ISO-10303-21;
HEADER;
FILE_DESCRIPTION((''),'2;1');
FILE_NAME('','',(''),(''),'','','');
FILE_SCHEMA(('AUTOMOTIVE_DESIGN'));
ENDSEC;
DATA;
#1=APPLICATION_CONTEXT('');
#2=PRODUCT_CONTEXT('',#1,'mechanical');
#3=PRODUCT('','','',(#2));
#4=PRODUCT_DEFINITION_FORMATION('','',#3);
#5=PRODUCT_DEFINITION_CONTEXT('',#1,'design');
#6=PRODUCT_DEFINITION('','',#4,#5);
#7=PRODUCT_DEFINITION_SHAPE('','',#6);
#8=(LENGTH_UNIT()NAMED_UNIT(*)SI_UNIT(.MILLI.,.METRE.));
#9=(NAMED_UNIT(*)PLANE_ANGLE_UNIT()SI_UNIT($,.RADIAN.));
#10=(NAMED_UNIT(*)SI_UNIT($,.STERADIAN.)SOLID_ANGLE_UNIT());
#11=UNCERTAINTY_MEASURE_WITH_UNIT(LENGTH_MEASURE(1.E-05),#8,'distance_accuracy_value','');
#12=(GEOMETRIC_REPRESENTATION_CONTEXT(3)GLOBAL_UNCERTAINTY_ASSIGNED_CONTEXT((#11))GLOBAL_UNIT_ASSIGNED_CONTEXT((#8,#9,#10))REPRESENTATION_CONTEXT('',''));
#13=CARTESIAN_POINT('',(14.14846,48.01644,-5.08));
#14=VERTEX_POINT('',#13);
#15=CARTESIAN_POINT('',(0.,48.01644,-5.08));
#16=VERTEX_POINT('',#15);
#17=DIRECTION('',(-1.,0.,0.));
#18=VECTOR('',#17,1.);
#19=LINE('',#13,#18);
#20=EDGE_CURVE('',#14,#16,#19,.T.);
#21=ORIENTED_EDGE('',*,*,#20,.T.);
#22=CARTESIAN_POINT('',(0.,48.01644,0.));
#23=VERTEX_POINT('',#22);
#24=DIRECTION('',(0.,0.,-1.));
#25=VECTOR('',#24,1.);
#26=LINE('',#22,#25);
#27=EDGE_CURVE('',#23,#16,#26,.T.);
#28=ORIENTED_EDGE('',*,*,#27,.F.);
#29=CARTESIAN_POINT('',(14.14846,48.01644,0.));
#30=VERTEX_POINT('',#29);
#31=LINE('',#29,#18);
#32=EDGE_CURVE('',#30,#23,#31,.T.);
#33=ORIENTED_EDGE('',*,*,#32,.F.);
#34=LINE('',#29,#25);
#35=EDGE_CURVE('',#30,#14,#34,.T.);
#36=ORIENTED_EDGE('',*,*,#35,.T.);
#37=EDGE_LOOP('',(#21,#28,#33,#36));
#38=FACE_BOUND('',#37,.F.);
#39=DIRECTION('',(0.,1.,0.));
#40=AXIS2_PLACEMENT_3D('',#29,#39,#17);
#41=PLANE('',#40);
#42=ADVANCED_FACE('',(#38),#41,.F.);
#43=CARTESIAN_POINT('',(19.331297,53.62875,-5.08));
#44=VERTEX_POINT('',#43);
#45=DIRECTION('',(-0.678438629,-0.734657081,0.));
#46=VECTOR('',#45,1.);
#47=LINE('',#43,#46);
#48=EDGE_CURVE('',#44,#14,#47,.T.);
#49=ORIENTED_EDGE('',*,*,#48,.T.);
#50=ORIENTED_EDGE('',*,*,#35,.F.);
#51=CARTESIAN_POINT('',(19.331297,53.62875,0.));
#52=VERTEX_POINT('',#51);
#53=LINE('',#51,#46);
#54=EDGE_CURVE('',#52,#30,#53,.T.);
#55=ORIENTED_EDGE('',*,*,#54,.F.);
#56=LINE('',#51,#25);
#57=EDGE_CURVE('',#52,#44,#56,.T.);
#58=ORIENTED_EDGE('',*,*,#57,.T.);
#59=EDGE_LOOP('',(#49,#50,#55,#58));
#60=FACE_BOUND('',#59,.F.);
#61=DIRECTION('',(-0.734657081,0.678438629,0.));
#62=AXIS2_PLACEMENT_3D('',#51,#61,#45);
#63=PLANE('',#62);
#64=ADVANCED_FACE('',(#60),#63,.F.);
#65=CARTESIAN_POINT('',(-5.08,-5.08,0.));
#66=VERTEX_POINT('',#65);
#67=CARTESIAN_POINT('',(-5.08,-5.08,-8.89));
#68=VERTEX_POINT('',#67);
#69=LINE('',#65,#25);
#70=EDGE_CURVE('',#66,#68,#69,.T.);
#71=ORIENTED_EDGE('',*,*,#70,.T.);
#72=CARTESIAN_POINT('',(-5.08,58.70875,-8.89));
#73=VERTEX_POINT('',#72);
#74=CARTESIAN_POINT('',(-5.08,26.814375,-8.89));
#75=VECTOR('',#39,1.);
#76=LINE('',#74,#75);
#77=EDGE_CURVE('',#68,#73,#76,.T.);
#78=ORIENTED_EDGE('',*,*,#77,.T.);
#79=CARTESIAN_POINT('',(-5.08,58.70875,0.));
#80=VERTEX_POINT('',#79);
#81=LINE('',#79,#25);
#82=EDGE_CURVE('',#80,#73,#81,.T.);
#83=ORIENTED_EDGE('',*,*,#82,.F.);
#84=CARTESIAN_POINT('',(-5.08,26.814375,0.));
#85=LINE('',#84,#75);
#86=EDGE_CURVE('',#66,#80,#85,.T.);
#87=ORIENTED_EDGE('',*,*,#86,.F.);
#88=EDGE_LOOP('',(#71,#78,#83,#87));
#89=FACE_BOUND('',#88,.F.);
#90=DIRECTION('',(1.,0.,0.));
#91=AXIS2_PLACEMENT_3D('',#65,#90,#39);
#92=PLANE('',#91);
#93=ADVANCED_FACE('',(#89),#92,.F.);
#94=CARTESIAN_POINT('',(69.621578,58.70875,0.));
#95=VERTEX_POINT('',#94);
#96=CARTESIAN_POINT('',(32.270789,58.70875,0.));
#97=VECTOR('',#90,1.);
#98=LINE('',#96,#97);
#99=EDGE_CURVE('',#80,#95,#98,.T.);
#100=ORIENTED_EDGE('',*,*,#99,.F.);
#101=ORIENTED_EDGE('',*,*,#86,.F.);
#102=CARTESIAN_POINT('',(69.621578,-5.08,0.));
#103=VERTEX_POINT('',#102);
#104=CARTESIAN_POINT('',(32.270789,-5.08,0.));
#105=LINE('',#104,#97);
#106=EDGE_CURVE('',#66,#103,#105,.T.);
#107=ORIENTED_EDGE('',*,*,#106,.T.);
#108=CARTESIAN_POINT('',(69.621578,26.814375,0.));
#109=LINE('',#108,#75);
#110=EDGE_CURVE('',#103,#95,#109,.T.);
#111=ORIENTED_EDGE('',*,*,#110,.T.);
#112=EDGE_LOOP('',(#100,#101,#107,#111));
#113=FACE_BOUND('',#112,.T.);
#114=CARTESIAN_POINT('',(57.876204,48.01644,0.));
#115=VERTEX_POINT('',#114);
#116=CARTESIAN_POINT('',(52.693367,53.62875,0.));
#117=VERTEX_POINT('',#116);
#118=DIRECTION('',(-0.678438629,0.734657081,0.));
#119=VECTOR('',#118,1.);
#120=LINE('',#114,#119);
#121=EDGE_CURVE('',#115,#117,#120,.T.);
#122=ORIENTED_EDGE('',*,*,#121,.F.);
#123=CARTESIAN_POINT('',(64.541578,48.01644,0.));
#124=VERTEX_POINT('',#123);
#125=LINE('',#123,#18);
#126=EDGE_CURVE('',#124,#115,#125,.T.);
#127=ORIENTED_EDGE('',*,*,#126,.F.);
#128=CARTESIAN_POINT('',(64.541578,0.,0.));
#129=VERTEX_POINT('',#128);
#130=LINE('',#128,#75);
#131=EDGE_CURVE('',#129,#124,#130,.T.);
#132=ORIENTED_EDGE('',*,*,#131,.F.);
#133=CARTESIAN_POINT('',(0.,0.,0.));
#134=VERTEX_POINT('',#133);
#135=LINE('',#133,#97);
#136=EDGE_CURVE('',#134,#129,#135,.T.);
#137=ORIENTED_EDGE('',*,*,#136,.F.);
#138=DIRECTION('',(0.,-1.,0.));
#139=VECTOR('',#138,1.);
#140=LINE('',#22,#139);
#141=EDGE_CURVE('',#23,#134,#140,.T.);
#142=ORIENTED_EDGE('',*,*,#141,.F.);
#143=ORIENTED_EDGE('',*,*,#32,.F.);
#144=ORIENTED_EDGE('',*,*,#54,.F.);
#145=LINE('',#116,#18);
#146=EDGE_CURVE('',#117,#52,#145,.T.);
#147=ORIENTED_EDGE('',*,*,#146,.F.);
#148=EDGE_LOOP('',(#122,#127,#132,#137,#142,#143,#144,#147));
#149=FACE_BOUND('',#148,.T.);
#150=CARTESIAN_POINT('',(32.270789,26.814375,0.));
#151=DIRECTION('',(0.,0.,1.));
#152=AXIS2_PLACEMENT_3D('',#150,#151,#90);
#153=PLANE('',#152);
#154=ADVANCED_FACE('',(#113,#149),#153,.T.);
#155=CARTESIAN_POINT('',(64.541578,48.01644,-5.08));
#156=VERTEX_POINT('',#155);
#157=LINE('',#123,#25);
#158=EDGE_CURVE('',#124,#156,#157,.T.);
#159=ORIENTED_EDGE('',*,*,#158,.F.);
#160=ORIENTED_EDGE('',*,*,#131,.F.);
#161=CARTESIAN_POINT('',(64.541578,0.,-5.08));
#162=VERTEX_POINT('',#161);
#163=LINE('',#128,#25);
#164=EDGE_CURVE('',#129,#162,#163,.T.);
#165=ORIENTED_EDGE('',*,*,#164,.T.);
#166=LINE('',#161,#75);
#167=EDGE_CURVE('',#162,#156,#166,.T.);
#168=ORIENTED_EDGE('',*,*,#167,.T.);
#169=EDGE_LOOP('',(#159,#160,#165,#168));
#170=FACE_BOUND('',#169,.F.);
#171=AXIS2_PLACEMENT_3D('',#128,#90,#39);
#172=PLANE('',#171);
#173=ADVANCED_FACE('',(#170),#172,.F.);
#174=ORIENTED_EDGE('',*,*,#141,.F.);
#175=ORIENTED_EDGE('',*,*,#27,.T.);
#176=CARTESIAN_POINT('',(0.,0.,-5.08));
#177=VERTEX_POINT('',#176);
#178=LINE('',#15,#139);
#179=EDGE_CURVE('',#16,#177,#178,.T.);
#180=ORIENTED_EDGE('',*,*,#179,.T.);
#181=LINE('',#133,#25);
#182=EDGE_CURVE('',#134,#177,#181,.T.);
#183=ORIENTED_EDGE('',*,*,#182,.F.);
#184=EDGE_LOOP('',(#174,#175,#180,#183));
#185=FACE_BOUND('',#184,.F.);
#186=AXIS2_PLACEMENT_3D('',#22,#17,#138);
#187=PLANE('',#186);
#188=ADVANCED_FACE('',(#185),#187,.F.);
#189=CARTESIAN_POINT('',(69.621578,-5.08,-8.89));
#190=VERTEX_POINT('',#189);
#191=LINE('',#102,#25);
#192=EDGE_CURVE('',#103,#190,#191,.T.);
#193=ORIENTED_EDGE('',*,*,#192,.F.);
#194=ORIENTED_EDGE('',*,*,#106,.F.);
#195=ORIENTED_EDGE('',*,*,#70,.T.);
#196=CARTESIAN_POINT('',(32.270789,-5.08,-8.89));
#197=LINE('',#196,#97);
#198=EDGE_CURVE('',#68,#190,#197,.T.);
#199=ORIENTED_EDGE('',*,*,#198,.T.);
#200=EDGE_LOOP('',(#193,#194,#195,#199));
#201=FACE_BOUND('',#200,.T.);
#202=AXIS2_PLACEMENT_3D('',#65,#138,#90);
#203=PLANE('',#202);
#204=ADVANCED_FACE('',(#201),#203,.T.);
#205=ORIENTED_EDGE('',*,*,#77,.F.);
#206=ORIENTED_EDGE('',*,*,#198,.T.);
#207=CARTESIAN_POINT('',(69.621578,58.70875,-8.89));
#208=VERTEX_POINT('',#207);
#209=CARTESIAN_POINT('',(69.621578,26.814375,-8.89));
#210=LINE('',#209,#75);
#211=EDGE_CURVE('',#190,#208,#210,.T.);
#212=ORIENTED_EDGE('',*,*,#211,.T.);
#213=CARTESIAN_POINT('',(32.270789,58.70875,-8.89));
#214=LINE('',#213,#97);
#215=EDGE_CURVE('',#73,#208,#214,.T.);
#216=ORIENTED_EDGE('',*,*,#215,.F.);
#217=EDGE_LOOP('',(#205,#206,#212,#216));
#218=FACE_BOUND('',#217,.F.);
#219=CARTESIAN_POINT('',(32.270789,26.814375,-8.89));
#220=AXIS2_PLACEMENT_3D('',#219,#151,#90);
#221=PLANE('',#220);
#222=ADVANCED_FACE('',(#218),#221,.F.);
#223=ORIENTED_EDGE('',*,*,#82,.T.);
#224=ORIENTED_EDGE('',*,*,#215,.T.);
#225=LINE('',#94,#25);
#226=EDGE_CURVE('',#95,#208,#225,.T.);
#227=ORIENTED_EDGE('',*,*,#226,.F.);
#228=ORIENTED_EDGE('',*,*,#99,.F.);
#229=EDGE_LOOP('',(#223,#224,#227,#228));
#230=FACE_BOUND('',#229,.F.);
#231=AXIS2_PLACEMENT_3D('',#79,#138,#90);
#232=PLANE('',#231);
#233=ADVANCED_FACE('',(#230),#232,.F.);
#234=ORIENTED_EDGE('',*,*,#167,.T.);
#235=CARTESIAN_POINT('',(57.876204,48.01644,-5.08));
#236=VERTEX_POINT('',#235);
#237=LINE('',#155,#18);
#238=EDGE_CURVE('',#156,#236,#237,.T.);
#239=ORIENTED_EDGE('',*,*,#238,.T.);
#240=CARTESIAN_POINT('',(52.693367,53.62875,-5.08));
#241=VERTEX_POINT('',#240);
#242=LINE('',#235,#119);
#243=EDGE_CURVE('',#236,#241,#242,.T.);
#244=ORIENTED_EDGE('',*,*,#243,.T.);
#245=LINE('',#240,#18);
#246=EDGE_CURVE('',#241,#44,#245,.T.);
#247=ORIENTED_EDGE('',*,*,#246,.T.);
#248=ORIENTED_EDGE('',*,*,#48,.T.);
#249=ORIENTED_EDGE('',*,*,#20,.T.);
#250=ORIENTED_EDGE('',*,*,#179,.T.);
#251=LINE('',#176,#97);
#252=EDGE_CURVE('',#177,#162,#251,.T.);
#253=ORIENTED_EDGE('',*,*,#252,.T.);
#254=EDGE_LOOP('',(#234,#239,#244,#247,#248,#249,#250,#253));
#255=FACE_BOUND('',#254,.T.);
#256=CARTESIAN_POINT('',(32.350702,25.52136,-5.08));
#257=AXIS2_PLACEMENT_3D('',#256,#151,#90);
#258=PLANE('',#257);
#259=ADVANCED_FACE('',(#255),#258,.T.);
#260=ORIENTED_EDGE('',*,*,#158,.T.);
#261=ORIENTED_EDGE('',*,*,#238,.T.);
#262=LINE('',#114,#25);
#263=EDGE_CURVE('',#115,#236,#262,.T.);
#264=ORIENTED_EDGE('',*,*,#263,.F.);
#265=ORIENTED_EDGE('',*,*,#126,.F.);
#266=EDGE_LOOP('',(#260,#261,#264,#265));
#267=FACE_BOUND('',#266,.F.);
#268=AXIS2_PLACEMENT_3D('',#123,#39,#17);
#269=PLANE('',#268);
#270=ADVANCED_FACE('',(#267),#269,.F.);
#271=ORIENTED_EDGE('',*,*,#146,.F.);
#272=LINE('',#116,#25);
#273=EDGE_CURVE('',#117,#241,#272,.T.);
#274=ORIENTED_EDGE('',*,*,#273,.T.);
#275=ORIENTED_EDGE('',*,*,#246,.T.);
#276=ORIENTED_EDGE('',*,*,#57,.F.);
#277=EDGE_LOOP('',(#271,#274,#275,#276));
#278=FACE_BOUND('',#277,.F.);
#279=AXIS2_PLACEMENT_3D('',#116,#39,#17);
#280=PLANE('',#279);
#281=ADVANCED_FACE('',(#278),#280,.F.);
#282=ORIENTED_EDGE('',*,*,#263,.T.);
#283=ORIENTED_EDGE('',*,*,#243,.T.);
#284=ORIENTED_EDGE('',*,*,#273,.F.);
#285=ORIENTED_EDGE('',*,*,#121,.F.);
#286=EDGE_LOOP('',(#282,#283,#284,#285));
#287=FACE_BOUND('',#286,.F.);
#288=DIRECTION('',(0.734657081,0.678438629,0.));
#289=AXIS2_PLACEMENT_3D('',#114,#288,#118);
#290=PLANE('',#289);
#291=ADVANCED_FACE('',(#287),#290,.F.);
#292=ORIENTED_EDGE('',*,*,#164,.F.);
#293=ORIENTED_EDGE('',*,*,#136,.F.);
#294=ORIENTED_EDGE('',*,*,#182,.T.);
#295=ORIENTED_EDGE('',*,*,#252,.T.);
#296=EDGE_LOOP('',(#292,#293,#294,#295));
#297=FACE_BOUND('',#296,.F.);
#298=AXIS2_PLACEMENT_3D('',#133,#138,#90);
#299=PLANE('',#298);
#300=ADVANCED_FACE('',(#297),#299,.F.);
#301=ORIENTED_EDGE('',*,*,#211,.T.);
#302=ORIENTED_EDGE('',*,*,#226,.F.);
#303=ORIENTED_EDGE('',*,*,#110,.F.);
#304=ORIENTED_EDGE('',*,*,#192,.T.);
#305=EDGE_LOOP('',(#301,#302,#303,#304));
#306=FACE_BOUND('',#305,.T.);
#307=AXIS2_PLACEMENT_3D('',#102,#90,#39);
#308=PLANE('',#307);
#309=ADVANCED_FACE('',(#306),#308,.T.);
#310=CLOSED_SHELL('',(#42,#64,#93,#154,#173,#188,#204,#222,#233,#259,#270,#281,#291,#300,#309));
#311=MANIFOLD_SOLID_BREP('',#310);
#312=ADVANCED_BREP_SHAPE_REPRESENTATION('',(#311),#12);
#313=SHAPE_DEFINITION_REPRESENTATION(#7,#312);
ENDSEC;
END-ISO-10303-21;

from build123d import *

# Parameters (mm, degrees)
F1_W     = 74.701578
F1_H     = 63.78875
F2_DEPTH = 8.89
F3_DEPTH = 5.08


with BuildPart() as f2:
    # F1 (on Top) → F2 (new body)
    with BuildSketch(Plane.XY):
        with Locations((32.270789, 26.814375)):
            Rectangle(F1_W, F1_H)
    extrude(amount=-F2_DEPTH)

    # F0 (on Top) → F3 (cut)
    with BuildSketch(Plane.XY):
        Polygon((0, 48.01644), (0, 0), (64.541578, 0), (64.541578, 48.01644), (57.876204, 48.01644), (52.693367, 53.62875), (19.331297, 53.62875), (14.14846, 48.01644), align=None)
    extrude(amount=-F3_DEPTH, mode=Mode.SUBTRACT)


solid = f2.part
